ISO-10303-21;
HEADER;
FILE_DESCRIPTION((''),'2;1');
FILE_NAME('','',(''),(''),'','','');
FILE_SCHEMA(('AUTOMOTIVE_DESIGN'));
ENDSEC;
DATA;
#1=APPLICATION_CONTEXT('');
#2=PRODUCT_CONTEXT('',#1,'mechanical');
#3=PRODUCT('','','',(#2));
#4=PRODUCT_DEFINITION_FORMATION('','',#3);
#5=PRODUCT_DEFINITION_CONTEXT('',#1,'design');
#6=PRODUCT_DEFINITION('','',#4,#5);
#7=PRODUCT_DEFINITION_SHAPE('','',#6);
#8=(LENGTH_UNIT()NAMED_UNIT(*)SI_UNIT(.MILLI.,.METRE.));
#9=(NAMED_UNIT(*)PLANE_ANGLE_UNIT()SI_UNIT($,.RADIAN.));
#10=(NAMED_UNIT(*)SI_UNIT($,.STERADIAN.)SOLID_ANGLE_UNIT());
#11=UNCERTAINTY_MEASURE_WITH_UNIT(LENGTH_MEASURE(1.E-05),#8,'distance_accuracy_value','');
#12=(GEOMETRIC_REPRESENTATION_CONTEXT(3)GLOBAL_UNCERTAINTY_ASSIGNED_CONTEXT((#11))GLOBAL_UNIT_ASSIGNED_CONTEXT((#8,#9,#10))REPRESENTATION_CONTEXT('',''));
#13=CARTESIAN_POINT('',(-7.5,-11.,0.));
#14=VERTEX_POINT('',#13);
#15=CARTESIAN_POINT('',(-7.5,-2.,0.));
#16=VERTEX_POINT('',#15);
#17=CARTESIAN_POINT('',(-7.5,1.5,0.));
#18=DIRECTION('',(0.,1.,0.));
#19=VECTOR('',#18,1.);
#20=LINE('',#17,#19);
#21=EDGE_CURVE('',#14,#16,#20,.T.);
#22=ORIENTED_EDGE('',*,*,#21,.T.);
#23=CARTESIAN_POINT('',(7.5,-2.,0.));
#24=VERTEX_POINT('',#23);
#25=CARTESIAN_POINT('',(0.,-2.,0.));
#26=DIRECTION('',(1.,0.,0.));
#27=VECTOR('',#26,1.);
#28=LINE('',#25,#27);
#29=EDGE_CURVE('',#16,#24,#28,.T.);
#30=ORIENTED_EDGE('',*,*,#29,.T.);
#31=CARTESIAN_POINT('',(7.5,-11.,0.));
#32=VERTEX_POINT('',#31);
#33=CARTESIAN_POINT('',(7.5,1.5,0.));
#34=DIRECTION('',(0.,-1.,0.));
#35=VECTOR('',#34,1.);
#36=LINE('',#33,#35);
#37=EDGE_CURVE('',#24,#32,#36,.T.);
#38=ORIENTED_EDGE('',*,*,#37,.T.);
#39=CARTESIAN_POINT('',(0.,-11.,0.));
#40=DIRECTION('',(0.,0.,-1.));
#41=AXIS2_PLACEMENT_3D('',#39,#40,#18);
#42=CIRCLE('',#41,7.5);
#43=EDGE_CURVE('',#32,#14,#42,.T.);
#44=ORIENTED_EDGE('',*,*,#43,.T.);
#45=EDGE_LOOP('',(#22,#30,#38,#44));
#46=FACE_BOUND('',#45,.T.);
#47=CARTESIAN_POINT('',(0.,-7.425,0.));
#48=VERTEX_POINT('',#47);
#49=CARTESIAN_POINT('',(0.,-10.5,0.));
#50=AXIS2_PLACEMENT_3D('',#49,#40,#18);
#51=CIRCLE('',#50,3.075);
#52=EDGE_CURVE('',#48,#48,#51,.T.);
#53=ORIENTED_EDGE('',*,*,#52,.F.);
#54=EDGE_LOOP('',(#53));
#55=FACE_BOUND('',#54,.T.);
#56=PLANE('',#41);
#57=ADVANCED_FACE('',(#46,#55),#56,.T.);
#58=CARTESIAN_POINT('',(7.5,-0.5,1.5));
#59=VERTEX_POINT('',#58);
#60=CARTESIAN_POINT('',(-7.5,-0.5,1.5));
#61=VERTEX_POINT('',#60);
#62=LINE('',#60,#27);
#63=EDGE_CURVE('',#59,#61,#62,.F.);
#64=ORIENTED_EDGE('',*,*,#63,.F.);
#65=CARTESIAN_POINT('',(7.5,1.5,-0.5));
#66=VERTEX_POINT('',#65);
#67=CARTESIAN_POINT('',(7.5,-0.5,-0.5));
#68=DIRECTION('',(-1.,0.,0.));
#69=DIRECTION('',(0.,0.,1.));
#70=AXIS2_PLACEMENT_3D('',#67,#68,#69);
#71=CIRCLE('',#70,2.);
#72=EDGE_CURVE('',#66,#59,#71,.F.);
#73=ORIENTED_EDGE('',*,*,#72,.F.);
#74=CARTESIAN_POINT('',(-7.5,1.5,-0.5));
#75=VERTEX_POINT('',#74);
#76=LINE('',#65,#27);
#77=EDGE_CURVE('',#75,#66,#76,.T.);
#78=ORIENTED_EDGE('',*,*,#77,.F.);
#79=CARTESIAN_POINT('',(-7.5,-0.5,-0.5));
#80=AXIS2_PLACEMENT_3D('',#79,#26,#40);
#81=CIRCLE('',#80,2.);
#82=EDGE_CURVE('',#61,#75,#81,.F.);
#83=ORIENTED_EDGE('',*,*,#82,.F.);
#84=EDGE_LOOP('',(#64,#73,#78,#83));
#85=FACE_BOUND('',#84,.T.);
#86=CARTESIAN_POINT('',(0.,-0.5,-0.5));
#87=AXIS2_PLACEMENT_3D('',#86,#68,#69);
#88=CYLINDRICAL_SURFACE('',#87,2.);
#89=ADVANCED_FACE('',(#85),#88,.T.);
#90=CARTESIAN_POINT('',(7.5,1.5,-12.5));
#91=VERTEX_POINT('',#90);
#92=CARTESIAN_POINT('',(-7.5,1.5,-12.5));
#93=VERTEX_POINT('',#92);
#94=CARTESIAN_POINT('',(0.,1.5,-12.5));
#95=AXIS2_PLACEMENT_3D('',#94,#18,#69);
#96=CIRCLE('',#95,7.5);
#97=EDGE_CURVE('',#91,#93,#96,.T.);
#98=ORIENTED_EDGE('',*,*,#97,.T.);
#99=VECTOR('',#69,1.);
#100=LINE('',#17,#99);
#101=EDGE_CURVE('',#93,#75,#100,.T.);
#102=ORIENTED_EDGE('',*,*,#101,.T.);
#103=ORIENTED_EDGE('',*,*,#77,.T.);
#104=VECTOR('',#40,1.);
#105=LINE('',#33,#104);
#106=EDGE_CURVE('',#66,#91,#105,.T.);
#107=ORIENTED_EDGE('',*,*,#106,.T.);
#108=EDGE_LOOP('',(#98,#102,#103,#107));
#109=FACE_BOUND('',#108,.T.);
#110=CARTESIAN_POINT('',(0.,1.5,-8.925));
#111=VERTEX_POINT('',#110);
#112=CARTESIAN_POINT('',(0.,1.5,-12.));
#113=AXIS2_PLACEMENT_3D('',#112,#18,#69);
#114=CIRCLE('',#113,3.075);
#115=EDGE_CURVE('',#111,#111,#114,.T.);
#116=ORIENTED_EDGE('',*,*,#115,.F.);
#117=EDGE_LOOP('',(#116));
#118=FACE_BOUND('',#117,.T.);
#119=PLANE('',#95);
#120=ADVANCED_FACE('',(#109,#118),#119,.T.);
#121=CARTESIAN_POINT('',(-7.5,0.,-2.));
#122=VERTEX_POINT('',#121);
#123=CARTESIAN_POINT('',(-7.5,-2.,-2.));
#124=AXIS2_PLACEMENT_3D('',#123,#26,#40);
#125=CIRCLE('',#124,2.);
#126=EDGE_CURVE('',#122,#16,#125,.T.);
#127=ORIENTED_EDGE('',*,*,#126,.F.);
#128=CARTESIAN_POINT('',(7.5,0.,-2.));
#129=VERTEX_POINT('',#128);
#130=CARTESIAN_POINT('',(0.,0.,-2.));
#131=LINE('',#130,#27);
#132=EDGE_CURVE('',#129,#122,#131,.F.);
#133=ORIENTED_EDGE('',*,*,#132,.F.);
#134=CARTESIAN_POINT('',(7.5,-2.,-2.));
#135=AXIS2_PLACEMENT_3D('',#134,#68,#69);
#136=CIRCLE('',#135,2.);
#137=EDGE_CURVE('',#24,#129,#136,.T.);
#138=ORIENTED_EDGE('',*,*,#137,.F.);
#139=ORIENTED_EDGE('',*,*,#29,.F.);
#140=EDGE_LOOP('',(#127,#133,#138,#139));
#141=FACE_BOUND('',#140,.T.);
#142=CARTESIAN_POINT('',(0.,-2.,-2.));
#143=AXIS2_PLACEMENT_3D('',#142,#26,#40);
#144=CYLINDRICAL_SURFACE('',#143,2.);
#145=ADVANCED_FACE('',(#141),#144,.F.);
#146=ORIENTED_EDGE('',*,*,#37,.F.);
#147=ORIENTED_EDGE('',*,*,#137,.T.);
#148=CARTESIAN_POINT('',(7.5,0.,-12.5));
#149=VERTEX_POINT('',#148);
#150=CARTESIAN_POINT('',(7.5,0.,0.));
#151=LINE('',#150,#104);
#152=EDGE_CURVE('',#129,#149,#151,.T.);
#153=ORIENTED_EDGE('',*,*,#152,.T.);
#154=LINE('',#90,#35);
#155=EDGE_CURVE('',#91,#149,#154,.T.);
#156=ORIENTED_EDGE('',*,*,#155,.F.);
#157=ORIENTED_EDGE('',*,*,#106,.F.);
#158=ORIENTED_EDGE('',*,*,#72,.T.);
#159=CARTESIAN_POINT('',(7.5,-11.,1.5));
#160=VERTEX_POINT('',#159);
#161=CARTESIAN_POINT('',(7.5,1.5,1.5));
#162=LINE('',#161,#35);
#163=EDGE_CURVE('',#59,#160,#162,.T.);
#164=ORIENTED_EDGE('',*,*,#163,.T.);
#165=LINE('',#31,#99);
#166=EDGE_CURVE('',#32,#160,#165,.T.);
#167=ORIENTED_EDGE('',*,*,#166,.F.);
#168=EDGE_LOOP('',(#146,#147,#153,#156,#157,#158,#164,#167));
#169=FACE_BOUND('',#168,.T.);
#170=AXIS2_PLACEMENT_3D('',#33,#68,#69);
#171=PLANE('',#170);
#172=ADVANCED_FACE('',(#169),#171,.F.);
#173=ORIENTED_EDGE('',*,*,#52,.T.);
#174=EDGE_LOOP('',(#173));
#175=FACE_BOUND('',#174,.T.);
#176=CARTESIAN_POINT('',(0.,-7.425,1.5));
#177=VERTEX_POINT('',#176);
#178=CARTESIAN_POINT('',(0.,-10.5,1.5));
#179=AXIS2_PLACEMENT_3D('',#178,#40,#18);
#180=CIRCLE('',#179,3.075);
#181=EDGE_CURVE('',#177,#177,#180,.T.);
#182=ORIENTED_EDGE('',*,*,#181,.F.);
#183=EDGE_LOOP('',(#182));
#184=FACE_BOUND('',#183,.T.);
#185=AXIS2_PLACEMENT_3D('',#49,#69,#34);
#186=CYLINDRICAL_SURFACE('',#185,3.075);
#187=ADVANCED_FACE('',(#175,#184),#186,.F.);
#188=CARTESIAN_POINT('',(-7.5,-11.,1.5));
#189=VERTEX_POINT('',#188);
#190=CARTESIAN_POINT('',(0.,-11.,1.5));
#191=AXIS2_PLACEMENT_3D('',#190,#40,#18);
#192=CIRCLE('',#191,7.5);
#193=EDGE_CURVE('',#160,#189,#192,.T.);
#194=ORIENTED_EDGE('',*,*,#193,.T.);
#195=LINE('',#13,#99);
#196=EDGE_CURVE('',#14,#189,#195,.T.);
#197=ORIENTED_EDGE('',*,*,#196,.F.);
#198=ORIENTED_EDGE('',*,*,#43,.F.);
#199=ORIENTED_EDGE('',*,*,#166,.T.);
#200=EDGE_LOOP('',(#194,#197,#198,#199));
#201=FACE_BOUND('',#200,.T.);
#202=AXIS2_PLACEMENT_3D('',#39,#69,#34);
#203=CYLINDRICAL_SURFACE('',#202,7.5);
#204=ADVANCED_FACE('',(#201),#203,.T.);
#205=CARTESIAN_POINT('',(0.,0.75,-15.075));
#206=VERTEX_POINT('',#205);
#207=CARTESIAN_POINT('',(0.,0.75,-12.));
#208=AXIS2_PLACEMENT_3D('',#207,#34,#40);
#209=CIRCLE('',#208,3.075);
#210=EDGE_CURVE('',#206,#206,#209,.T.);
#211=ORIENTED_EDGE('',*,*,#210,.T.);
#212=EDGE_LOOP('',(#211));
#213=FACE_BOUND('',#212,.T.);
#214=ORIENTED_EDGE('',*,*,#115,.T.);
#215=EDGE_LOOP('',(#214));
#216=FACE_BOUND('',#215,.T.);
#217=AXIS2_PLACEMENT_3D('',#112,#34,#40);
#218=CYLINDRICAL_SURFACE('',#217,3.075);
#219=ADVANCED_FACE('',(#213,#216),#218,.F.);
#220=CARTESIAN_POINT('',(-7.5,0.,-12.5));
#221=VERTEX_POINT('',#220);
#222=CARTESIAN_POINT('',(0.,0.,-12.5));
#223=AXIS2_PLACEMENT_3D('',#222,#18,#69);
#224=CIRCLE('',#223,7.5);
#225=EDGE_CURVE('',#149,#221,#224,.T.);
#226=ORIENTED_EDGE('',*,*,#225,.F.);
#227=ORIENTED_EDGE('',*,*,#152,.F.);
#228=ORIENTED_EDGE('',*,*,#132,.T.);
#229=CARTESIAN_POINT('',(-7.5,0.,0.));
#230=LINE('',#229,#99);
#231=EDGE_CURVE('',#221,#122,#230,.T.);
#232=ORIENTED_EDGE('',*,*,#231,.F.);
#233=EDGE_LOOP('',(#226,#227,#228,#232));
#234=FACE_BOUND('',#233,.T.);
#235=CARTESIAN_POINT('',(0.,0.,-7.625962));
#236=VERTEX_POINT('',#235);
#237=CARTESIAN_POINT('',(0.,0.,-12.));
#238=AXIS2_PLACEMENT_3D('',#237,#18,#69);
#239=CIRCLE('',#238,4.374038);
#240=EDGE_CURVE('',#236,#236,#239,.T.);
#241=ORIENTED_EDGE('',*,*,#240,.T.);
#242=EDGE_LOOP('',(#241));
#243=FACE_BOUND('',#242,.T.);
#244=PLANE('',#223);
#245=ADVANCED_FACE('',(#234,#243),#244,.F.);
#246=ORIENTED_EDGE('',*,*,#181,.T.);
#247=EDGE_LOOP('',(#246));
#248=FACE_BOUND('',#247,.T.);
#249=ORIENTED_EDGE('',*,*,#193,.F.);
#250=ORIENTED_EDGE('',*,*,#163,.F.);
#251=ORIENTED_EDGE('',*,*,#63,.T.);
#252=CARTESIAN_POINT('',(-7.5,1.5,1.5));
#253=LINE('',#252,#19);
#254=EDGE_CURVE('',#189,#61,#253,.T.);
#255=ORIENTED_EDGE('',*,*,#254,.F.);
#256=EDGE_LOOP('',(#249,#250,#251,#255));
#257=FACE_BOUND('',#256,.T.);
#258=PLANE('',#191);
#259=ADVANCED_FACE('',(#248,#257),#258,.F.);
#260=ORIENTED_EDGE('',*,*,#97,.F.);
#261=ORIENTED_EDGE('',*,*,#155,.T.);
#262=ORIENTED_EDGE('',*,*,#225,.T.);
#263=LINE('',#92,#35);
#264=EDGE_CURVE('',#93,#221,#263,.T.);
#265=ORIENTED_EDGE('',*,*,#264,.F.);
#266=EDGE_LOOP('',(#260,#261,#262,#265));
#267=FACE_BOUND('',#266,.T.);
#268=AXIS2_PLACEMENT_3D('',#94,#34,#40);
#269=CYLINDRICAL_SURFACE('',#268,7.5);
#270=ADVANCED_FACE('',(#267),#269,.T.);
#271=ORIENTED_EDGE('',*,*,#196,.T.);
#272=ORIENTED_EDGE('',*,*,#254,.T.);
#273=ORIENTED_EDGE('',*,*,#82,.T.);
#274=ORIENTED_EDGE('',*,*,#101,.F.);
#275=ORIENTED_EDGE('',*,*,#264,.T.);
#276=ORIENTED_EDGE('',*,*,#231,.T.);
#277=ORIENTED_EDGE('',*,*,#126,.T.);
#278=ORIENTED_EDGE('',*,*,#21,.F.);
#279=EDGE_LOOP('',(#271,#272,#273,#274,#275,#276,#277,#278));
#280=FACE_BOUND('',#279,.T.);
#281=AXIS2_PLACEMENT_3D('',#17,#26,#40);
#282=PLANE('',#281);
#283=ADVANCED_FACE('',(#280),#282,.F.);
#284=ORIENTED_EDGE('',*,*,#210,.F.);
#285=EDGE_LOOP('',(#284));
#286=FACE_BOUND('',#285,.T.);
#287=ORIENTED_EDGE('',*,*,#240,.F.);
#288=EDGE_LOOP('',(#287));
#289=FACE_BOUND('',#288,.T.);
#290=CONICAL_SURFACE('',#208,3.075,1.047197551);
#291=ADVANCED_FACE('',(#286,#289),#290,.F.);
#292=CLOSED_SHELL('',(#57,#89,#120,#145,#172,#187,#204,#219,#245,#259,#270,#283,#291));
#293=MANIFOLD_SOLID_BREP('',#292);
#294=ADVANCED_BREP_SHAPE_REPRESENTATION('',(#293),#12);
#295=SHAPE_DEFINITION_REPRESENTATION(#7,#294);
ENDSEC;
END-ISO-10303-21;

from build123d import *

# Parameters (mm, degrees)
SKETCH1_R           = 3.075
BOSS_EXTRUDE1_DEPTH = 1.5
CIRPATTERN1_COUNT   = 2
CIRPATTERN1_ANGLE   = 90
FILLET1_R           = 2
SKETCH3_R           = 3.075
CUT_EXTRUDE2_DEPTH  = 0.75
CUT_EXTRUDE2_DRAFT  = -60


with BuildPart() as part:
    # Sketch1 → Boss-Extrude1 (new body)
    with BuildSketch(Plane(origin=(0, 0, 0), x_dir=(1, 0, 0), z_dir=(0, 1, 0))):
        with BuildLine():
            Line((-7.5, 0), (7.5, 0))
            Line((7.5, 0), (7.5, 12.5))
            ThreePointArc((7.5, 12.5), (0, 20), (-7.5, 12.5))
            Line((-7.5, 12.5), (-7.5, 0))
        make_face()
        with Locations(Location((0, 12, 0), (0, 0, 270))):
            Circle(SKETCH1_R, mode=Mode.SUBTRACT)
    boss_extrude1 = extrude(amount=BOSS_EXTRUDE1_DEPTH)

    # CirPattern1: Boss-Extrude1 ×2 about axis
    cirpattern1_axis = Axis((-7.5, 1.5, 0), (-1, 0, 0))
    for i in range(1, CIRPATTERN1_COUNT):
        add(boss_extrude1.rotate(cirpattern1_axis, i * CIRPATTERN1_ANGLE / (CIRPATTERN1_COUNT - 1)))

    # Fillet1
    fillet1_edges = [part.edges().sort_by_distance(p)[0] for p in [
        (0, 1.5, 1.5),
        (0, 0, 0),
    ]]
    fillet(fillet1_edges, radius=FILLET1_R)


with BuildPart() as cut_extrude2_tool:
    # Sketch3 → Cut-Extrude2 (with draft: the straight prism first)
    with BuildSketch(Plane(origin=(0, 0.75, 0), x_dir=(-1, 0, 0), z_dir=(0, -1, 0))):
        with Locations(Location((0, 12, 0), (0, 0, 90))):
            Circle(SKETCH3_R)
    extrude(amount=CUT_EXTRUDE2_DEPTH)
    # Cut-Extrude2: the draft: its side faces are tilted about the plane it starts from
    cut_extrude2_sides = [cut_extrude2_tool.faces().sort_by_distance(p)[0] for p in [
        (0, 0.375, -8.925),
    ]]
    draft(cut_extrude2_sides, Plane(origin=(0, 0.75, 0), x_dir=(-1, 0, 0), z_dir=(0, -1, 0)), CUT_EXTRUDE2_DRAFT)


with BuildPart() as part_1:
    add(part.part)

    # Cut-Extrude2: cut by cut_extrude2_tool
    add(cut_extrude2_tool.part, mode=Mode.SUBTRACT)


solid = part_1.part
